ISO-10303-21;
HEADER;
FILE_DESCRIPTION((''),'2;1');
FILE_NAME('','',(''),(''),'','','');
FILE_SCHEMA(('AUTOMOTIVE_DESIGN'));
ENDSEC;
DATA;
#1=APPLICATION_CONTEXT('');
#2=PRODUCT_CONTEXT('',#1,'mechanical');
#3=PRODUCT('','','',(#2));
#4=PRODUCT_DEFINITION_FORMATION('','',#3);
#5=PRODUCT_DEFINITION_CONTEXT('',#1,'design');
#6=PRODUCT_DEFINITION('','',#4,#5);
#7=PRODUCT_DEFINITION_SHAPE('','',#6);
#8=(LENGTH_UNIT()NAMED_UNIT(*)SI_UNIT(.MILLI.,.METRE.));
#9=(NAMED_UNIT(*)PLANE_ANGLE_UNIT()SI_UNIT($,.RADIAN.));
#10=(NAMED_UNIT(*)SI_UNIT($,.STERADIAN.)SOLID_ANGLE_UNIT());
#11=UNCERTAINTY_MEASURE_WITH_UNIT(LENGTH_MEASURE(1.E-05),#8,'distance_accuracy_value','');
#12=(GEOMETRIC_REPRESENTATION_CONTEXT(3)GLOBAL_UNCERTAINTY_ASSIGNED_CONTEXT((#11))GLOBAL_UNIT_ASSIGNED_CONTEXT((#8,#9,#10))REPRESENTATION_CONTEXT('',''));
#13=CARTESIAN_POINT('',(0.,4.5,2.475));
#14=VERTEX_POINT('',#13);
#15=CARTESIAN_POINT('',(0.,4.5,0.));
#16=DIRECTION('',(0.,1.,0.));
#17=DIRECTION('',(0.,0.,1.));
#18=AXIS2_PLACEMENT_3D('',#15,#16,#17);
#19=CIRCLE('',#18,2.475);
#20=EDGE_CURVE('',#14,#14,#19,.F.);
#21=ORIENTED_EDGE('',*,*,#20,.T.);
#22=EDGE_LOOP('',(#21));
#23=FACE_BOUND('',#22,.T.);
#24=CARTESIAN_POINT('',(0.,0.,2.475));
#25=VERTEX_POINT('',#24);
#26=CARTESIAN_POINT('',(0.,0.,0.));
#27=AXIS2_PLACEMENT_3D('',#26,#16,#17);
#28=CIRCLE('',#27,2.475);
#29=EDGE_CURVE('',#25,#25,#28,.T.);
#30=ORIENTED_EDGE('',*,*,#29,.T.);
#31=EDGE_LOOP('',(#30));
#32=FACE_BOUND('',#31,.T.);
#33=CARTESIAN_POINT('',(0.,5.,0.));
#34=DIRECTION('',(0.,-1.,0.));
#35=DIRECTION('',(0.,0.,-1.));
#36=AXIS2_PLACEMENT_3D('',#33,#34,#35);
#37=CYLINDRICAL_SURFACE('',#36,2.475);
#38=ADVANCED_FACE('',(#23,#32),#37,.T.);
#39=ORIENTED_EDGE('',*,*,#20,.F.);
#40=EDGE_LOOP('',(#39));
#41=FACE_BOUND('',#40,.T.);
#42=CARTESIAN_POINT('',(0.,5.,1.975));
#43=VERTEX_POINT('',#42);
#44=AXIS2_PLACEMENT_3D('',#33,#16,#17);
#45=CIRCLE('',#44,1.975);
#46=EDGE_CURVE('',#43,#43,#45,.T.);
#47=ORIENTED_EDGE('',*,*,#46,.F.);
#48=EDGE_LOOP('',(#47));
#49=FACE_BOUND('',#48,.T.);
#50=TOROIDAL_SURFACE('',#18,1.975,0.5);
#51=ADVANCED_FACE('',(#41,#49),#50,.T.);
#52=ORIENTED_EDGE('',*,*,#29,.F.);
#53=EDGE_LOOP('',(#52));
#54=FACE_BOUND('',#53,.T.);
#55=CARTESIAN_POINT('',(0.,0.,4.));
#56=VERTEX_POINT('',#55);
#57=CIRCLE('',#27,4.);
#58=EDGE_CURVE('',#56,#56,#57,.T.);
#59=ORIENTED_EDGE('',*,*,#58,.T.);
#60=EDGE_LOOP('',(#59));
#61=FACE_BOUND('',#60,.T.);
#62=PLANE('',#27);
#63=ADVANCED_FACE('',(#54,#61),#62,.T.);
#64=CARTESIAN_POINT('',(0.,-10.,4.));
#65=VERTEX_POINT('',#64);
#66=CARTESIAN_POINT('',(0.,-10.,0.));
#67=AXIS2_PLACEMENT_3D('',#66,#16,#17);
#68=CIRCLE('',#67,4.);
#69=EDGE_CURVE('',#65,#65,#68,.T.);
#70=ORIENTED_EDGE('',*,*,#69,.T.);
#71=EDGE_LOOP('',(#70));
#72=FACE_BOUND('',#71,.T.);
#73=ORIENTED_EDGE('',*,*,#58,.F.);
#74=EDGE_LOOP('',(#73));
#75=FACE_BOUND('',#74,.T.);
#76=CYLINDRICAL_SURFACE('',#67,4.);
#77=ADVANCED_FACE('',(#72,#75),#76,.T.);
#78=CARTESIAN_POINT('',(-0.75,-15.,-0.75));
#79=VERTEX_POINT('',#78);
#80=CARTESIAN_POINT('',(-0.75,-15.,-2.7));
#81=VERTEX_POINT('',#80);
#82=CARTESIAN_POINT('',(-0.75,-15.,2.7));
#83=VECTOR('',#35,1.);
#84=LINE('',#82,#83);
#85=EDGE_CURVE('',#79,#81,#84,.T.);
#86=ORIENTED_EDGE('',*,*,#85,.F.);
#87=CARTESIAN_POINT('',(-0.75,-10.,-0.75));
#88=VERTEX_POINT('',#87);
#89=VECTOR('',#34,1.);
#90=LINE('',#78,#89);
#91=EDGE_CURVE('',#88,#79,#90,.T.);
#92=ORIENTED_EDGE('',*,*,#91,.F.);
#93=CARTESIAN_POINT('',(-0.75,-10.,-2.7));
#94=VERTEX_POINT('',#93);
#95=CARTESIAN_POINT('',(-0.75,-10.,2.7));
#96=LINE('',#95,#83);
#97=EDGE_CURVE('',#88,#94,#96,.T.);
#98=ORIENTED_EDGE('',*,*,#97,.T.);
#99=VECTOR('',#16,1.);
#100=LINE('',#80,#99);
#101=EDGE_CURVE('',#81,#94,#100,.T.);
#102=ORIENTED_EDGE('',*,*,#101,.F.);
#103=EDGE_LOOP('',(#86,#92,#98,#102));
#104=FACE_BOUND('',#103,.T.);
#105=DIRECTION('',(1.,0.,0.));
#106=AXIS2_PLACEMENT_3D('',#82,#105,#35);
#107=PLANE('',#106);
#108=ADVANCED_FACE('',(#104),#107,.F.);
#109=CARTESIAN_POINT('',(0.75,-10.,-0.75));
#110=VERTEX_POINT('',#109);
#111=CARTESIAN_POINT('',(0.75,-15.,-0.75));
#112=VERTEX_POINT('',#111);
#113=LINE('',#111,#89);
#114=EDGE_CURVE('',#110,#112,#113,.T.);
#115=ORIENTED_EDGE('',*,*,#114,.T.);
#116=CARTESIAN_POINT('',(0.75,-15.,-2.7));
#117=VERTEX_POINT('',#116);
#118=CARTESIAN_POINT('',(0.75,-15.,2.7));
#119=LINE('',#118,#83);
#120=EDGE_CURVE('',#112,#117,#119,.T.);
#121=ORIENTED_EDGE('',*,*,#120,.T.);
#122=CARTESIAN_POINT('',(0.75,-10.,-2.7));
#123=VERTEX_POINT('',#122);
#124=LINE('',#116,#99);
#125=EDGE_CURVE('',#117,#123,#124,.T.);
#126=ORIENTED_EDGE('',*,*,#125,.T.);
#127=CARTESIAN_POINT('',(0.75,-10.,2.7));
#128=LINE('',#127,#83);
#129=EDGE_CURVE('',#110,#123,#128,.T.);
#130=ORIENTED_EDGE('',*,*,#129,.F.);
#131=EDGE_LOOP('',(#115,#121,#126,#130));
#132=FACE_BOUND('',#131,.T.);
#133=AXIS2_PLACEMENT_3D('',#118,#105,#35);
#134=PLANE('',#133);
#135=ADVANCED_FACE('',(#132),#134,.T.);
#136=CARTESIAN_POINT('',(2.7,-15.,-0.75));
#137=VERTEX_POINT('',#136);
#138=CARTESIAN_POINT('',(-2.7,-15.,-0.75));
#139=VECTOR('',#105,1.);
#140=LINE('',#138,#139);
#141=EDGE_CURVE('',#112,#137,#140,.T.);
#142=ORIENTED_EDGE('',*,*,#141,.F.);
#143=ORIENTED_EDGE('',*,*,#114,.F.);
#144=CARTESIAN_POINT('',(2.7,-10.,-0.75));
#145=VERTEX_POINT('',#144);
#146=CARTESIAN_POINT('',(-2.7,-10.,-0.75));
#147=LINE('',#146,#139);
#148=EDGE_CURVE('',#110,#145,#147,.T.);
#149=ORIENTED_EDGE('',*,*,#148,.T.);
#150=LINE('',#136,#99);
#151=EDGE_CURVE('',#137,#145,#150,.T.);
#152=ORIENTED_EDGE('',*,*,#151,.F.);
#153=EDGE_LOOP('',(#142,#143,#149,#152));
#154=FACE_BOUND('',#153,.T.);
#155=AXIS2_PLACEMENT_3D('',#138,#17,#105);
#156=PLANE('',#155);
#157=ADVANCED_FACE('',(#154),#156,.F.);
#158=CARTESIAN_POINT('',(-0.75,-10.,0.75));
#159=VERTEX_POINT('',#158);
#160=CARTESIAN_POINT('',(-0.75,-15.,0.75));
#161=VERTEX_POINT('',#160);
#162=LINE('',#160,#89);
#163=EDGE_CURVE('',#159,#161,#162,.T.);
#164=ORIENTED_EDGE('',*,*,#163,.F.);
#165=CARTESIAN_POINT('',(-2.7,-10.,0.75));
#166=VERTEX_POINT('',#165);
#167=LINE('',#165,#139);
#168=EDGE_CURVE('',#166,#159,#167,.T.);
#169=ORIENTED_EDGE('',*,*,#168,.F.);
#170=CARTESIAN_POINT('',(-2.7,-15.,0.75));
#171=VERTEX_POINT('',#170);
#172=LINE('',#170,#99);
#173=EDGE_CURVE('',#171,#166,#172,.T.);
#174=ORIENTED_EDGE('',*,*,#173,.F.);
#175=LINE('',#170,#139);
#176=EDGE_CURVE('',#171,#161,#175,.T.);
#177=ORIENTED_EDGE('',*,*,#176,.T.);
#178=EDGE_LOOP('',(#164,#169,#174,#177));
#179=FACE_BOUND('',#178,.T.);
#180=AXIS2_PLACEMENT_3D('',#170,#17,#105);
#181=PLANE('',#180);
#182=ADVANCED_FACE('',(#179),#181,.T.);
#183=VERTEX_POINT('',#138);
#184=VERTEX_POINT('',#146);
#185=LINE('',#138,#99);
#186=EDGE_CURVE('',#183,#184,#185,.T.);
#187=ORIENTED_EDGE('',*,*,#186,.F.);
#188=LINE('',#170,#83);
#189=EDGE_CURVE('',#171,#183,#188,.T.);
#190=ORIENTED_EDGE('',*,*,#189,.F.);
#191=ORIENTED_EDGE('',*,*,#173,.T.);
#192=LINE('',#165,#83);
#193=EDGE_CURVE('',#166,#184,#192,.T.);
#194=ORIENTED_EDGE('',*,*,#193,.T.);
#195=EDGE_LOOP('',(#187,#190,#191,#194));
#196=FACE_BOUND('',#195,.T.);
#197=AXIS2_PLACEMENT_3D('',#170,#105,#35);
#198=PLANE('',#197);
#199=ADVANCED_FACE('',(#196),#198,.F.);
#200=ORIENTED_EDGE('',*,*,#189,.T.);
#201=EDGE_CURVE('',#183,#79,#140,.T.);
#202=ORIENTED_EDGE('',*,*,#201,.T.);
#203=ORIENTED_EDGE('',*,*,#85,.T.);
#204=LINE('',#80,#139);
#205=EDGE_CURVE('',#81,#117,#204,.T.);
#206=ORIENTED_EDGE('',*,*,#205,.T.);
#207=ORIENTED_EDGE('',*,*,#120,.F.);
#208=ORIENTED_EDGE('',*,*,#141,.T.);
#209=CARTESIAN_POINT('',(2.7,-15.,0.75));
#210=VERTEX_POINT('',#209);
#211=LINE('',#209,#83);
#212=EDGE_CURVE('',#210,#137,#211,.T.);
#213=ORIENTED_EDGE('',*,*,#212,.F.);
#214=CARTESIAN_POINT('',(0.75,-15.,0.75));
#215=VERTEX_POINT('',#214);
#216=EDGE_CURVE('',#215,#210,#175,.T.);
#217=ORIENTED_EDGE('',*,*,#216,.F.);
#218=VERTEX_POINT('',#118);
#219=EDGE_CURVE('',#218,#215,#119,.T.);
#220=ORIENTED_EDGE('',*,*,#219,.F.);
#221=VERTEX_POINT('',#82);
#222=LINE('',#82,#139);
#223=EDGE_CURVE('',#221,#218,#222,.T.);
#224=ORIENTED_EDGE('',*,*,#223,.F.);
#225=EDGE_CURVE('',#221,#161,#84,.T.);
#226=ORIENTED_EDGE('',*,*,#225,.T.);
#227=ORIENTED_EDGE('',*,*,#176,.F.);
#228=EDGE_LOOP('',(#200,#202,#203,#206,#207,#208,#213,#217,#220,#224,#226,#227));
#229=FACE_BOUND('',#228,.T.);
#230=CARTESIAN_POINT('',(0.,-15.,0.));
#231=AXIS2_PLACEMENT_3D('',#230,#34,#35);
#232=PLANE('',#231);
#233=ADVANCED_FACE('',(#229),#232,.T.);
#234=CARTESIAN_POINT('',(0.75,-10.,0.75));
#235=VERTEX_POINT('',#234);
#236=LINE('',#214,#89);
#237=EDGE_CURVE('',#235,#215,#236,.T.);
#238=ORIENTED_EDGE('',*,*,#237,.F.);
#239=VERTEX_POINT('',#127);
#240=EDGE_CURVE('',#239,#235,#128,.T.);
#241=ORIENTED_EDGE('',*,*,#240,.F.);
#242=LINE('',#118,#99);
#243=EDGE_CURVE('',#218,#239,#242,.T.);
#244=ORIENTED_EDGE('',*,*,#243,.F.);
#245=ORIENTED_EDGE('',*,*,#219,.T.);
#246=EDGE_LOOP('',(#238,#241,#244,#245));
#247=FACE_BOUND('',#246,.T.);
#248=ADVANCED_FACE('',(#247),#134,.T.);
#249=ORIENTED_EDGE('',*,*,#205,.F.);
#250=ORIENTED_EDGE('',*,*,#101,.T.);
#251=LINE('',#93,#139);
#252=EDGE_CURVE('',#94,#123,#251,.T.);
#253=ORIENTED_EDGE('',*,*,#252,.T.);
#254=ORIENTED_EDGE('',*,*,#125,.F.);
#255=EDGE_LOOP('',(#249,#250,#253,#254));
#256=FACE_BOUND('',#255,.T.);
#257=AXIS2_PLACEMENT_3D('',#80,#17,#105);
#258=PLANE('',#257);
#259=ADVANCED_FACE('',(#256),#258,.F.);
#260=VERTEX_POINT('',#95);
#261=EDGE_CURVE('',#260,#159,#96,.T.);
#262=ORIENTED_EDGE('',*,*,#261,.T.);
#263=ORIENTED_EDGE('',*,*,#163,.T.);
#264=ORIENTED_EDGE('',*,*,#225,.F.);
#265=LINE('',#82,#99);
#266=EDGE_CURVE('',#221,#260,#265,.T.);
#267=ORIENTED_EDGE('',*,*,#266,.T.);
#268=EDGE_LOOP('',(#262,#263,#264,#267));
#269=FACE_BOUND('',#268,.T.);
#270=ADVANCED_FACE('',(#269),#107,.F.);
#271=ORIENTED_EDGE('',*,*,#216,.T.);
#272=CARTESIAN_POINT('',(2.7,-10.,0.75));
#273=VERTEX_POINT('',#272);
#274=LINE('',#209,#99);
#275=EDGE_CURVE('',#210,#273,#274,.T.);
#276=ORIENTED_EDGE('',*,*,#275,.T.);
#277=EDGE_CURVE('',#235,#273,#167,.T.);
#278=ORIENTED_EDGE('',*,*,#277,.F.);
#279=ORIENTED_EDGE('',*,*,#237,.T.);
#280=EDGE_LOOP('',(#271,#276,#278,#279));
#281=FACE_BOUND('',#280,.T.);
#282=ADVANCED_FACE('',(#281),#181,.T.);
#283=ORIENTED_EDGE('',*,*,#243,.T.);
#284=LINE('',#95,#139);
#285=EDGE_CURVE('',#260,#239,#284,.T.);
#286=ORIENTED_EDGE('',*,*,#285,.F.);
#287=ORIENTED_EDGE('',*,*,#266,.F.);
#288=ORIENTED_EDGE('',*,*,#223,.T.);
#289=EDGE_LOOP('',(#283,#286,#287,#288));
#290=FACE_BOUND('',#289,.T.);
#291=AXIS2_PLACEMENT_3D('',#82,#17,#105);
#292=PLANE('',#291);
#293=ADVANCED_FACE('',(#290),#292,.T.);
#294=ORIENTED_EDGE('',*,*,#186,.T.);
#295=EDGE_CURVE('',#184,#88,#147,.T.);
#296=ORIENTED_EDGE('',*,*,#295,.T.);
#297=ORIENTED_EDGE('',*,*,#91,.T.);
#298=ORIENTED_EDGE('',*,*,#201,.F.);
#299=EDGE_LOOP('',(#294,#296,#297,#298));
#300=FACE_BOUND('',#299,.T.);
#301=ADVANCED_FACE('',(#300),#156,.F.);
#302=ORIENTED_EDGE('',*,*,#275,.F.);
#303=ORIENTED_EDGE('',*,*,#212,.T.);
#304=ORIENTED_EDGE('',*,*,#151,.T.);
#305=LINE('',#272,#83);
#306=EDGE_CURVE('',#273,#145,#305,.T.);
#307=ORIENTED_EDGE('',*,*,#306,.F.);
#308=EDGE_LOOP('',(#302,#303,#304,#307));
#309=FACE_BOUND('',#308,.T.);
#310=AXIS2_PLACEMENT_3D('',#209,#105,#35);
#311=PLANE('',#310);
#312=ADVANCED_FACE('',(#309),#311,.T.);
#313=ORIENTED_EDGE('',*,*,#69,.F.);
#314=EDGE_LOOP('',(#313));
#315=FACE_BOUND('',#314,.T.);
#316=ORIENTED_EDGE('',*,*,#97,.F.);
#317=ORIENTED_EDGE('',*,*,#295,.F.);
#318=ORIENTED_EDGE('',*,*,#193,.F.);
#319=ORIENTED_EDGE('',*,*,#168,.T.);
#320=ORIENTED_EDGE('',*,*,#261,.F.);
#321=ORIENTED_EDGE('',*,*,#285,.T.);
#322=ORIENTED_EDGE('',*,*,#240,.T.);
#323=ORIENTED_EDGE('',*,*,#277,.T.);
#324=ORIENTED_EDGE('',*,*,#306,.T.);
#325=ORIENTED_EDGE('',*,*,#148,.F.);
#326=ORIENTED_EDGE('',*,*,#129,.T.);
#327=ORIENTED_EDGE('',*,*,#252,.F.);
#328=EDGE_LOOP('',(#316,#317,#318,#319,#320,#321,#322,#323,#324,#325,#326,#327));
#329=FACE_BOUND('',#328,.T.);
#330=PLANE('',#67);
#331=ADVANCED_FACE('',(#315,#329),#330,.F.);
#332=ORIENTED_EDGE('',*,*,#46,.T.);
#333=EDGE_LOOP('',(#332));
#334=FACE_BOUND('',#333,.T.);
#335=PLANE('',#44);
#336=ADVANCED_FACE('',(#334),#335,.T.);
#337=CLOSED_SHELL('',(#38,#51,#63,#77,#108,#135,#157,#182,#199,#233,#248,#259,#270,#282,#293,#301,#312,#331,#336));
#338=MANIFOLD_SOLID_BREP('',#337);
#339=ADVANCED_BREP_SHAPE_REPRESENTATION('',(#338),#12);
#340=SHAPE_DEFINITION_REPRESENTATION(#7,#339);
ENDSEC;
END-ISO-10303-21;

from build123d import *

# Parameters (mm, degrees)
SKETCH1_R           = 4
BOSS_EXTRUDE1_DEPTH = 10
SKETCH2_R           = 2.475
BOSS_EXTRUDE2_DEPTH = 5
SKETCH3_W           = 1.5
SKETCH3_H           = 5.4
SKETCH3_W_2         = 5.4
SKETCH3_H_2         = 1.5
BOSS_EXTRUDE3_DEPTH = 5
FILLET3_R           = 0.5


with BuildPart() as part:
    # Sketch1 → Boss-Extrude1 (new body)
    with BuildSketch(Plane(origin=(0, 0, 0), x_dir=(1, 0, 0), z_dir=(0, 1, 0))):
        Circle(SKETCH1_R)
    extrude(amount=-BOSS_EXTRUDE1_DEPTH)

    # Sketch2 → Boss-Extrude2 (add)
    with BuildSketch(Plane(origin=(0, 0, 0), x_dir=(1, 0, 0), z_dir=(0, 1, 0))):
        Circle(SKETCH2_R)
    extrude(amount=BOSS_EXTRUDE2_DEPTH)

    # Sketch3 → Boss-Extrude3 (add)
    with BuildSketch(Plane.XZ.offset(10)):
        Rectangle(SKETCH3_W, SKETCH3_H)
        Rectangle(SKETCH3_W_2, SKETCH3_H_2)
    extrude(amount=BOSS_EXTRUDE3_DEPTH)

    # Fillet3
    fillet3_edges = [part.edges().sort_by_distance(p)[0] for p in [
        (-2.475, 5, 0),
    ]]
    fillet(fillet3_edges, radius=FILLET3_R)


solid = part.part
